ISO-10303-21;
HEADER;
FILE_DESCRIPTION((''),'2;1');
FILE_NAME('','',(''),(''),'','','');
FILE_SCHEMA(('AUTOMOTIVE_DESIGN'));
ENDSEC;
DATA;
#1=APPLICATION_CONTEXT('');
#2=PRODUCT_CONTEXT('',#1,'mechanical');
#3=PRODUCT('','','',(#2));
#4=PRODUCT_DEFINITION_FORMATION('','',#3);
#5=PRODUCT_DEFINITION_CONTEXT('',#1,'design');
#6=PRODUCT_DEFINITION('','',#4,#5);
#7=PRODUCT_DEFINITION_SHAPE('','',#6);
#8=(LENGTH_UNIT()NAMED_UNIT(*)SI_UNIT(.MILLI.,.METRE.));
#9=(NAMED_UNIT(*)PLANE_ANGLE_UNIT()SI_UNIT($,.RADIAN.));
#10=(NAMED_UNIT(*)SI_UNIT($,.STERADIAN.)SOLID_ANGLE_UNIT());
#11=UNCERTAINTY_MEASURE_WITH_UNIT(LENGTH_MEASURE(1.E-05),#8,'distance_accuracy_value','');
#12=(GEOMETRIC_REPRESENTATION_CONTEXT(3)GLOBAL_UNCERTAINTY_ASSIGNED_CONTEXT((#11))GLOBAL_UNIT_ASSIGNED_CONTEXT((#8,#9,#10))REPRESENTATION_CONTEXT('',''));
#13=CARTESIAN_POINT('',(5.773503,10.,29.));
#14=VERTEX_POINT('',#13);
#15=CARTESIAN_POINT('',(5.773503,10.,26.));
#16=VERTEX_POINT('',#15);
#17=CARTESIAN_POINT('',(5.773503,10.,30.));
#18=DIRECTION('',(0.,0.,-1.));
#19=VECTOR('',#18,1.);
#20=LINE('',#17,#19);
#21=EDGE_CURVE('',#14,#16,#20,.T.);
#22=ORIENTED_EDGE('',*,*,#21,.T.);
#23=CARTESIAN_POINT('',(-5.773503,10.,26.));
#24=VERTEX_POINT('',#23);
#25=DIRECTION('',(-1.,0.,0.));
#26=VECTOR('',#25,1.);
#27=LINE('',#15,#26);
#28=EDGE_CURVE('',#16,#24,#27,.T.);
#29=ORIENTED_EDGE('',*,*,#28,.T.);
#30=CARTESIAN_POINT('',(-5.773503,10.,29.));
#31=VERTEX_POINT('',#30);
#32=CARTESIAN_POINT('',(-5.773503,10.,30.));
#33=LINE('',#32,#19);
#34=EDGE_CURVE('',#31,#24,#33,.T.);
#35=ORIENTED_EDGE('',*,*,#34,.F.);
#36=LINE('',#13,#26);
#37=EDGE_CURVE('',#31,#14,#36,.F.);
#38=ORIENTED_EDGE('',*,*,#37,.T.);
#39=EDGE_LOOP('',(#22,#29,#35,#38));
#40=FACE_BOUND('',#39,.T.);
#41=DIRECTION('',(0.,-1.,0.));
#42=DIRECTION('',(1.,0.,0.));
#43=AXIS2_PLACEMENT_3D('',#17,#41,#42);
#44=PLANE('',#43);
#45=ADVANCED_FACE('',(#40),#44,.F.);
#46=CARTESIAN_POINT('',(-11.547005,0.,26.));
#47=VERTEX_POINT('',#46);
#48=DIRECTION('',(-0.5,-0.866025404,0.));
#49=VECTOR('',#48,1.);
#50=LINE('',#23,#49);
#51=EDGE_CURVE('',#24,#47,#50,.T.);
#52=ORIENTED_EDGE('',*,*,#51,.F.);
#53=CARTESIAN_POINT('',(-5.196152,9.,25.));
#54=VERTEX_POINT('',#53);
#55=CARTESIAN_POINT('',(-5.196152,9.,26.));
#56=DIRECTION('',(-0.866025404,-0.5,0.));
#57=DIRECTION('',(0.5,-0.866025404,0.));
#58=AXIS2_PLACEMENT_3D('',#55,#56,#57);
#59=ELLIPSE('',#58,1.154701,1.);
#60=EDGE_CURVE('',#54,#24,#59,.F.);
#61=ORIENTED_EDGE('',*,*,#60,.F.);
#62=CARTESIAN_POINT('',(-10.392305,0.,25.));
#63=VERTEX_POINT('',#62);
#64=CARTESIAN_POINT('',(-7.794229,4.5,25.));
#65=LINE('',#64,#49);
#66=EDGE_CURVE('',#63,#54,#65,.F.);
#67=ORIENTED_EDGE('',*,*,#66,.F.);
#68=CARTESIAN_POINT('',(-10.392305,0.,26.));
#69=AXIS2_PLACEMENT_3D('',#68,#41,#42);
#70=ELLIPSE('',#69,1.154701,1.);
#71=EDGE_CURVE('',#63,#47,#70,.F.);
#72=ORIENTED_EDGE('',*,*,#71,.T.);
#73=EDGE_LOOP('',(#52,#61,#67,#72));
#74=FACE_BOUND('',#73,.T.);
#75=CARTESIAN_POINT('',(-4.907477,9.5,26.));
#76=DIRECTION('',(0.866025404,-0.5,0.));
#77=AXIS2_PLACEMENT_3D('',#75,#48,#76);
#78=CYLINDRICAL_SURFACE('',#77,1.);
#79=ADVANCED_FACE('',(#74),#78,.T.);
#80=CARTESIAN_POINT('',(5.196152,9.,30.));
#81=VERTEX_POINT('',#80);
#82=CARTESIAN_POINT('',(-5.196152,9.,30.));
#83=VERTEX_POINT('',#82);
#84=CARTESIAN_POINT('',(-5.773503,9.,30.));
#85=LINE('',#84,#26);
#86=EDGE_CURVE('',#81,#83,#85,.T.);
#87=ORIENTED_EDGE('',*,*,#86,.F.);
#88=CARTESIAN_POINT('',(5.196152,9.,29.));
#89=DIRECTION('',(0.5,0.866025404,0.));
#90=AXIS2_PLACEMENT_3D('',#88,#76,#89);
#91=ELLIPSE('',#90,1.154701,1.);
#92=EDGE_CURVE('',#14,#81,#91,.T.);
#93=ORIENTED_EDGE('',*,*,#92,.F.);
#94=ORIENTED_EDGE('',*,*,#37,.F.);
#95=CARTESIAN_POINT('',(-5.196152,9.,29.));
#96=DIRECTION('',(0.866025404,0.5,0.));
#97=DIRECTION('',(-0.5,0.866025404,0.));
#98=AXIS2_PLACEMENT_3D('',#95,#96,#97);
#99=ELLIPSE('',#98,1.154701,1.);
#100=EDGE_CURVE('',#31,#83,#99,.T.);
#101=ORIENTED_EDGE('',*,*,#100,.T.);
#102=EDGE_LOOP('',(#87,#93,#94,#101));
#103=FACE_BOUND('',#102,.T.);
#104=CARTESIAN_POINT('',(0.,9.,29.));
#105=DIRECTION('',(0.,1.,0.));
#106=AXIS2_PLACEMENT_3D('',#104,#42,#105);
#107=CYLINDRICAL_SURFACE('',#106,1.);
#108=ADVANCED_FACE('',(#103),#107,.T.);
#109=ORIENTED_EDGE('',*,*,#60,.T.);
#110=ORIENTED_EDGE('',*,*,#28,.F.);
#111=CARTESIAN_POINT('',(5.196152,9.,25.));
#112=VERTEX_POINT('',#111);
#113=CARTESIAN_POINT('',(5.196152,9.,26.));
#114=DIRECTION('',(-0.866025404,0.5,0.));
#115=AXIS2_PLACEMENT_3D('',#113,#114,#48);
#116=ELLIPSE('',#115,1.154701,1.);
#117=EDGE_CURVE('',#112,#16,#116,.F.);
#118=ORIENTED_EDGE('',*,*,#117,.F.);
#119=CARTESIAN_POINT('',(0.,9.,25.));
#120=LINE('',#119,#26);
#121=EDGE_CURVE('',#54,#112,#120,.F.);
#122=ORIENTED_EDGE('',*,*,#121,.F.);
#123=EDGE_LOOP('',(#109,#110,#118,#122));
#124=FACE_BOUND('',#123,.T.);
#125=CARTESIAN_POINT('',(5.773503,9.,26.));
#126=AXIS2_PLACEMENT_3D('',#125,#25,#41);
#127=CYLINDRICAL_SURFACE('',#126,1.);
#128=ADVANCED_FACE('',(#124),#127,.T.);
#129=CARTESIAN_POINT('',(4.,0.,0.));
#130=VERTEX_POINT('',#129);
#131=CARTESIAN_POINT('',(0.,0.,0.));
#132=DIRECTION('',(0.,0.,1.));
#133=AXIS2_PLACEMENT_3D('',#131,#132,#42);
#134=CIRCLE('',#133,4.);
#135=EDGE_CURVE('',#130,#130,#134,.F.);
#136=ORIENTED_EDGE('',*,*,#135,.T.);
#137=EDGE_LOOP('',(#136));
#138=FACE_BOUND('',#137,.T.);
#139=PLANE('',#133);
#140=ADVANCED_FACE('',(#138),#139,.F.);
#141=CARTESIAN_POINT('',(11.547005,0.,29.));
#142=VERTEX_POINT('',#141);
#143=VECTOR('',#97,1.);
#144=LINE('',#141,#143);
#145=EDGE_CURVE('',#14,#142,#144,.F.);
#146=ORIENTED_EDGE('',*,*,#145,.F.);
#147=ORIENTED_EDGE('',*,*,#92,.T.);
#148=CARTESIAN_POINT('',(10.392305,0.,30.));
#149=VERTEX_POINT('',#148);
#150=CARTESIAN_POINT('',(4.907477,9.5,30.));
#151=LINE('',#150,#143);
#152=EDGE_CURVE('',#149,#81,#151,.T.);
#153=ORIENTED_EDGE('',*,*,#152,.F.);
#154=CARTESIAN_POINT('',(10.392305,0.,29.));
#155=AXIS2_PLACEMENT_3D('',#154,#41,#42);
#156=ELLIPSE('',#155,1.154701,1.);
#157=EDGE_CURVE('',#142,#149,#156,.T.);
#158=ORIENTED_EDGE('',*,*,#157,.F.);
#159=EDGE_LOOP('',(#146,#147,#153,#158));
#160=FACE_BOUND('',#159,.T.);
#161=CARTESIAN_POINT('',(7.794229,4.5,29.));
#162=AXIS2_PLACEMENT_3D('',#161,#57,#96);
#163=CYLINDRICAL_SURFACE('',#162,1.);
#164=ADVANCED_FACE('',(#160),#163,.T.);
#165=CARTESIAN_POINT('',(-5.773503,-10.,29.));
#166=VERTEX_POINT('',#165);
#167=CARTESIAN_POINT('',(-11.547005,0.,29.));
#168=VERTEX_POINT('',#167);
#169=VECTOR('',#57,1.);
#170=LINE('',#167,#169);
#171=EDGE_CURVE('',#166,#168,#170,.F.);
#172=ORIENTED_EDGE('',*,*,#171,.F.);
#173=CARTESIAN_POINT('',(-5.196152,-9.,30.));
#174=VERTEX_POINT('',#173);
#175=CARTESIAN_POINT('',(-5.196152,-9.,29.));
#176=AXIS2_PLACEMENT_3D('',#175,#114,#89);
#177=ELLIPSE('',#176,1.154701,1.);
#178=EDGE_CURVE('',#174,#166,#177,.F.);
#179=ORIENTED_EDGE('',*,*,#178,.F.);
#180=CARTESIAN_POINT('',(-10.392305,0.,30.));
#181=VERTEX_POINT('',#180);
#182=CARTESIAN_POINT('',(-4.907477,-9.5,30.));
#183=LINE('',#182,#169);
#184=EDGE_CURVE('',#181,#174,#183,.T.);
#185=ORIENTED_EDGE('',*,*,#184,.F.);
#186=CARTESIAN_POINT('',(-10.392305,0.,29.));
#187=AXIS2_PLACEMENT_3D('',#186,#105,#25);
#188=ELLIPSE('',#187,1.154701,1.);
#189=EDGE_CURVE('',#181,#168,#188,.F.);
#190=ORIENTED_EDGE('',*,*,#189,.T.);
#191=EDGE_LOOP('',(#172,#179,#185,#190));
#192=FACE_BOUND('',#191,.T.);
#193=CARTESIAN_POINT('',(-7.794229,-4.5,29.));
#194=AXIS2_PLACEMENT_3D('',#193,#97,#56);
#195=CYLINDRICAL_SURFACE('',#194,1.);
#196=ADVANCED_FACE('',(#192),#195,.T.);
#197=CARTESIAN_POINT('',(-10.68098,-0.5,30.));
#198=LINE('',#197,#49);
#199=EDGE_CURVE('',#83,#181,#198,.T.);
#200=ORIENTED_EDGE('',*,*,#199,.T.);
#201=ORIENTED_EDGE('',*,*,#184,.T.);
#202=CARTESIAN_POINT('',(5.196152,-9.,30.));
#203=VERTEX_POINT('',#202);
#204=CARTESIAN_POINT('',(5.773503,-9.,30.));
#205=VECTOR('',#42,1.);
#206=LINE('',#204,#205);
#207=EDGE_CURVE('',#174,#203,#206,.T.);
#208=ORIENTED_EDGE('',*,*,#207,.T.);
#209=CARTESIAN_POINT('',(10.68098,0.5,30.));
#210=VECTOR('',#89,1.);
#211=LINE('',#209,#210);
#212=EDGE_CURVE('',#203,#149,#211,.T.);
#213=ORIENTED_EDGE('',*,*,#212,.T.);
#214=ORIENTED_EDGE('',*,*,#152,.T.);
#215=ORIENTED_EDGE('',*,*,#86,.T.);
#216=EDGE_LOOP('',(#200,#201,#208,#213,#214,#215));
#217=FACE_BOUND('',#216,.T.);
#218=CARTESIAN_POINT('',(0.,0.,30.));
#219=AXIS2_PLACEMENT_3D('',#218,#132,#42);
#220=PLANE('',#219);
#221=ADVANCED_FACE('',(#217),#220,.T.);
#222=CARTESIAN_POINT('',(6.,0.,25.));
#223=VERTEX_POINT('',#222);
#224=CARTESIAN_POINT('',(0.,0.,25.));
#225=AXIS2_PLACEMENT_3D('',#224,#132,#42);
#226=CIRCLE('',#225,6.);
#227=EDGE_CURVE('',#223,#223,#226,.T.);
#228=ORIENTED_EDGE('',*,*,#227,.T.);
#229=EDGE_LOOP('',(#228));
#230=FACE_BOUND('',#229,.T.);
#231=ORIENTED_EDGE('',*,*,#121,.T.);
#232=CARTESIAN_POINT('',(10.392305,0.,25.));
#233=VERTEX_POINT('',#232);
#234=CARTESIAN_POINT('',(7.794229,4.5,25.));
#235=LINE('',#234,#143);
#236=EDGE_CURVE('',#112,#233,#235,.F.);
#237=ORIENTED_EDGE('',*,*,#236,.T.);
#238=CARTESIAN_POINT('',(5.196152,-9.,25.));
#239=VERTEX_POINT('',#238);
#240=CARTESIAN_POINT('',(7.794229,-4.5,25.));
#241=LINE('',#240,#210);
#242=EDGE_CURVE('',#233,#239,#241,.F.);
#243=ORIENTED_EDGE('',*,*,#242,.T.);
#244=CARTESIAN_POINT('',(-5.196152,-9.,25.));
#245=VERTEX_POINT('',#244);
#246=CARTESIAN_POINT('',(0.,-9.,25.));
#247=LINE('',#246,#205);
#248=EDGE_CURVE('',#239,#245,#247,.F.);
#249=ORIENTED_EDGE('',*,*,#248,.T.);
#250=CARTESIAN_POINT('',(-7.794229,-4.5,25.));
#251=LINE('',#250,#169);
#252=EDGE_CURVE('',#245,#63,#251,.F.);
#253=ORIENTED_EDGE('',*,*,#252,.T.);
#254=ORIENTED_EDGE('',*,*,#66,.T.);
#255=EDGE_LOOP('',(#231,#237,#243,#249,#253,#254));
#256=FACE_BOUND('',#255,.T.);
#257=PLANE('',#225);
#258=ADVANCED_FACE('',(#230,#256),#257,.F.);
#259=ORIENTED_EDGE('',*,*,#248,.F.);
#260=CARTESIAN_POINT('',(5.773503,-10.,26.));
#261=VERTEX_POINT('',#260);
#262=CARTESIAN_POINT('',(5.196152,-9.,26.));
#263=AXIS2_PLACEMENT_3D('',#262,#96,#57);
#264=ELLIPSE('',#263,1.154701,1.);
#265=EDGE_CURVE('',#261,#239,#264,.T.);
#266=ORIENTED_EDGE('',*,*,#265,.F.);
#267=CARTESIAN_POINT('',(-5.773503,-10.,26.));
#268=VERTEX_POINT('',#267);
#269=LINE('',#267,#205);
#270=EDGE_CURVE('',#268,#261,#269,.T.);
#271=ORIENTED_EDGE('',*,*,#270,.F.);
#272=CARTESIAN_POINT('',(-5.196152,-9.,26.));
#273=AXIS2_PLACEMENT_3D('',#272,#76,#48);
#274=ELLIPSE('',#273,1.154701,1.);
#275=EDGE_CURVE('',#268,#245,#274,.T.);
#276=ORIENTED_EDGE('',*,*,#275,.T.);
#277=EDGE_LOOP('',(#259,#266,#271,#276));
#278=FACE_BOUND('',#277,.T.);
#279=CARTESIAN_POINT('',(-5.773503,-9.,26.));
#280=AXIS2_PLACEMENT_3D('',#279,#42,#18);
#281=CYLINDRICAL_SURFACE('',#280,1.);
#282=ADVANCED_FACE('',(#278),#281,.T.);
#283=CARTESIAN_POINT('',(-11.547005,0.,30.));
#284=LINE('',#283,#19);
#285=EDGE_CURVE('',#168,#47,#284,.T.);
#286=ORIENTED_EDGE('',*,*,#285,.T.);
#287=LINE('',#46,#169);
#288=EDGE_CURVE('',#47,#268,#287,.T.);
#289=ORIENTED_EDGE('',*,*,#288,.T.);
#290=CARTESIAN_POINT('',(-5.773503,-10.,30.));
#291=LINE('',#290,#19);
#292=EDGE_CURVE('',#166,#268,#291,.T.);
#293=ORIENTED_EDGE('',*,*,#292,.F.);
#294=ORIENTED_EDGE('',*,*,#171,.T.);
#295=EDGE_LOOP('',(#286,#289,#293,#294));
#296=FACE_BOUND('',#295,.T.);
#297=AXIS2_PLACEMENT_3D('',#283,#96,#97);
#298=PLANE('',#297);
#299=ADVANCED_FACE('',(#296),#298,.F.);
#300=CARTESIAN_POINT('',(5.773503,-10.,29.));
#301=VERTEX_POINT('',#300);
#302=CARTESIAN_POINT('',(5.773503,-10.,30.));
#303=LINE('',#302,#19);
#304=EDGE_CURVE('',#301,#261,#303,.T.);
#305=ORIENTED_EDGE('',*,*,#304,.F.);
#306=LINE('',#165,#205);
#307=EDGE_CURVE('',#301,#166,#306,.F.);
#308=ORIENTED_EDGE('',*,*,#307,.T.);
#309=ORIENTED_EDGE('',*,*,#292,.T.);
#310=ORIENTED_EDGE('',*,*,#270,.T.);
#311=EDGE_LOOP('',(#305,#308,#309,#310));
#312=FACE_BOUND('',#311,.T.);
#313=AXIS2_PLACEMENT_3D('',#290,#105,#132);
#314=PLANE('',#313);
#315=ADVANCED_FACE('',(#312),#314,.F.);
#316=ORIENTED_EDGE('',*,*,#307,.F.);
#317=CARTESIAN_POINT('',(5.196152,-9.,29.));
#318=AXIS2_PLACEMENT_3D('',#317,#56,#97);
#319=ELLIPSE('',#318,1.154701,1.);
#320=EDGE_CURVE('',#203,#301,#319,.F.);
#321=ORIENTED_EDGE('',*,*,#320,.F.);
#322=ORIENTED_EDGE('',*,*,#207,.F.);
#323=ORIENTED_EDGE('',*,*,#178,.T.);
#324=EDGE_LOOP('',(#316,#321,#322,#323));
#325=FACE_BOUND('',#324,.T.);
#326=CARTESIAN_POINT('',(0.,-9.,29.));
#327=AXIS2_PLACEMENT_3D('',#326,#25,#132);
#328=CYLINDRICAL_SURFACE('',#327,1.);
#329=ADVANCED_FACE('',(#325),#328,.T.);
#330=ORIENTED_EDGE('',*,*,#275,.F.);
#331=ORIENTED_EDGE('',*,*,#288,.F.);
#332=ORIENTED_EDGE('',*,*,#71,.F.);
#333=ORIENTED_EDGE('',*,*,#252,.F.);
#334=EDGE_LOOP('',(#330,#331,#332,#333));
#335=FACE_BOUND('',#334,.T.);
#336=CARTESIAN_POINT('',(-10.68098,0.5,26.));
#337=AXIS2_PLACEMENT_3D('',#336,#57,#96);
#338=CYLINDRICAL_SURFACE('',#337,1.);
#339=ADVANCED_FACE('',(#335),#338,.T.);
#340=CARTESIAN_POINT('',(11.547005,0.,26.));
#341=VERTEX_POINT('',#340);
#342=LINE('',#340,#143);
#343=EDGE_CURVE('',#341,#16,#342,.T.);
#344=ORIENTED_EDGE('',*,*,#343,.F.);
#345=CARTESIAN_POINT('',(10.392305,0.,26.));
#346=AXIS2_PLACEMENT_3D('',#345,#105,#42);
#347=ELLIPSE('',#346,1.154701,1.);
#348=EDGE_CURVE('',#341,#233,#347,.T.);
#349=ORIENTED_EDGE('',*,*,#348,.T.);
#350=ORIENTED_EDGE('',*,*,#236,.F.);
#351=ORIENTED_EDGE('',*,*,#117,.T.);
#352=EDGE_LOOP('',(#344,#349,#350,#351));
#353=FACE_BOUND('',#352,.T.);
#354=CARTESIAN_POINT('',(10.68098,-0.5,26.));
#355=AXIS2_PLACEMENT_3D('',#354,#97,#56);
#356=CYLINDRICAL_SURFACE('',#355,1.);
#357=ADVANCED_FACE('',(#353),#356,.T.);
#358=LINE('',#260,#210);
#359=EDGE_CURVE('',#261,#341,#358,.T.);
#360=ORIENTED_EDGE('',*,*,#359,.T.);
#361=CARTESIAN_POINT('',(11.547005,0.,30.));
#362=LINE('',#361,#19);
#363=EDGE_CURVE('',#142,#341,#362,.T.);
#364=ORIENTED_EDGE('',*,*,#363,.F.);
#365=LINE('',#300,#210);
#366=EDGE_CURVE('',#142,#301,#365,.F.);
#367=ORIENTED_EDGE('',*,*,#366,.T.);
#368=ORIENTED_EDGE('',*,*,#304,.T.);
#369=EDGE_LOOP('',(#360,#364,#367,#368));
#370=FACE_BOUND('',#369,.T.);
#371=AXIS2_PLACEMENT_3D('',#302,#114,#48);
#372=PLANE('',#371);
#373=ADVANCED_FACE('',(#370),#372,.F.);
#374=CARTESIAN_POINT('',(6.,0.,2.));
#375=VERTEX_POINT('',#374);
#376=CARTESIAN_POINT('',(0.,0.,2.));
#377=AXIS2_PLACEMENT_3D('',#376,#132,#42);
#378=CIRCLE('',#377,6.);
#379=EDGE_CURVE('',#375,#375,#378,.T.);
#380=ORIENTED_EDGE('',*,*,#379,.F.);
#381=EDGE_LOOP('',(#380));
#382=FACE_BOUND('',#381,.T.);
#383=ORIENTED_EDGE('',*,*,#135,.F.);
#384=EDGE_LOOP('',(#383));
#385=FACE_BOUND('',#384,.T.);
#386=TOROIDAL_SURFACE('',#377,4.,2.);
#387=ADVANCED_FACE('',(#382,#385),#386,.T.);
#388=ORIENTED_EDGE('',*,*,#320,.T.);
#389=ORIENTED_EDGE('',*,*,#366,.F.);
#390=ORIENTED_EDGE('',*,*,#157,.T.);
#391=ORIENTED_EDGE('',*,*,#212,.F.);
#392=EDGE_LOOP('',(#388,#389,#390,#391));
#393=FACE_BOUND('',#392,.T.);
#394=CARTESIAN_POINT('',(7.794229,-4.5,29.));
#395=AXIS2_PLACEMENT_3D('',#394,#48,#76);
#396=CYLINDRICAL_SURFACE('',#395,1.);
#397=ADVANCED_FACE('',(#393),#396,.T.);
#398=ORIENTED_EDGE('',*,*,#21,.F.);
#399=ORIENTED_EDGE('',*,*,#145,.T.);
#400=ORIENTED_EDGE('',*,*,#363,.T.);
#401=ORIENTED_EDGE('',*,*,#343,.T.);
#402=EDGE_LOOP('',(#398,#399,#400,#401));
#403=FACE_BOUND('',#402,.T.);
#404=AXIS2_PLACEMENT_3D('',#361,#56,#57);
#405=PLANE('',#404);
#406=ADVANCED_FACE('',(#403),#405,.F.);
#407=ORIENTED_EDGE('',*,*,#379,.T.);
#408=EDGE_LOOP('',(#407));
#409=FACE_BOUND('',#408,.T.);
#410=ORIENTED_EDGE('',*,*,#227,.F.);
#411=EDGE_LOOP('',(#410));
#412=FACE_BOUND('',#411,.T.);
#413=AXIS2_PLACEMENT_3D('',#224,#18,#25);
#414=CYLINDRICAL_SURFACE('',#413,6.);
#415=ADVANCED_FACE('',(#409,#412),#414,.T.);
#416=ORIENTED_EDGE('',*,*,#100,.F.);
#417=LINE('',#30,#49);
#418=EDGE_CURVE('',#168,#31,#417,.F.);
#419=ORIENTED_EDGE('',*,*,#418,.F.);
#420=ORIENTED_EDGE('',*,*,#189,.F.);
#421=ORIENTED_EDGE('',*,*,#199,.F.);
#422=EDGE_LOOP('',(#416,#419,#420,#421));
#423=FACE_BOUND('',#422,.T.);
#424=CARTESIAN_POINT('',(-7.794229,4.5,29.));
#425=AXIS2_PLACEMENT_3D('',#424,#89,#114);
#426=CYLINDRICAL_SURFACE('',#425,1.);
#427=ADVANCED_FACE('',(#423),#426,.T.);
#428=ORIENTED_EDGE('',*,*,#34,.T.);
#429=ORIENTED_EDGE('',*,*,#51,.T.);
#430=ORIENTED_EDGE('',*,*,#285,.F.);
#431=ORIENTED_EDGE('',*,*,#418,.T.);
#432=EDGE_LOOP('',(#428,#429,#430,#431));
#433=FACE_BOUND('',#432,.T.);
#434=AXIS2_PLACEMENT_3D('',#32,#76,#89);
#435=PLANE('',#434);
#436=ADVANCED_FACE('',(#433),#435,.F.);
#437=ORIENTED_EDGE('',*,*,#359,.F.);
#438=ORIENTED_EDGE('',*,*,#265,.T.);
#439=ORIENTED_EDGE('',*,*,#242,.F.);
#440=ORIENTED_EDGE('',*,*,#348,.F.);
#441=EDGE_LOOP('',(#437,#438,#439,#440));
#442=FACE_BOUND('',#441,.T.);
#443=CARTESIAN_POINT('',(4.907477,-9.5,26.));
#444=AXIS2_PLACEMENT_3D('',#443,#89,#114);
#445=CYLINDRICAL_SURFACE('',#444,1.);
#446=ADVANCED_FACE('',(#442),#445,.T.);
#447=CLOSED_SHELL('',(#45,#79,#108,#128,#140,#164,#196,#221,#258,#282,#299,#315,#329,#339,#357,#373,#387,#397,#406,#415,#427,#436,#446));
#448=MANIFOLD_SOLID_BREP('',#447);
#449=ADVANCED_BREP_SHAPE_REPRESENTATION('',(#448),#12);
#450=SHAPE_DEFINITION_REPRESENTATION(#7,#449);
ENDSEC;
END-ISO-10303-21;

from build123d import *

# Parameters (mm, degrees)
SKETCH_1_R      = 6
EXTRUDE_1_DEPTH = 25
EXTRUDE_2_DEPTH = 5
FILLET_1_R      = 2
FILLET_2_R      = 1


with BuildPart() as part:
    # 草图1 → 凸台-拉伸1 (new body)
    with BuildSketch(Plane.XY):
        Circle(SKETCH_1_R)
    extrude(amount=EXTRUDE_1_DEPTH)

    # 草图2 → 凸台-拉伸2 (add)
    with BuildSketch(Plane.XY.offset(25)):
        Polygon((5.773502692, -10), (11.547005384, 0), (5.773502692, 10), (-5.773502692, 10), (-11.547005384, 0), (-5.773502692, -10), align=None)
    extrude(amount=EXTRUDE_2_DEPTH)

    # 圆角1
    fillet_1_edges = [part.edges().sort_by_distance(p)[0] for p in [
        (-6, 0, 0),
    ]]
    fillet(fillet_1_edges, radius=FILLET_1_R)

    # 圆角2
    fillet_2_edges = [part.edges().sort_by_distance(p)[0] for p in [
        (0, -10, 25),
        (8.660254038, -5, 25),
        (8.660254038, 5, 25),
        (0, 10, 25),
        (-8.660254038, 5, 25),
        (-8.660254038, -5, 25),
        (0, -10, 30),
        (8.660254038, -5, 30),
        (8.660254038, 5, 30),
        (0, 10, 30),
        (-8.660254038, 5, 30),
        (-8.660254038, -5, 30),
    ]]
    fillet(fillet_2_edges, radius=FILLET_2_R)


solid = part.part
